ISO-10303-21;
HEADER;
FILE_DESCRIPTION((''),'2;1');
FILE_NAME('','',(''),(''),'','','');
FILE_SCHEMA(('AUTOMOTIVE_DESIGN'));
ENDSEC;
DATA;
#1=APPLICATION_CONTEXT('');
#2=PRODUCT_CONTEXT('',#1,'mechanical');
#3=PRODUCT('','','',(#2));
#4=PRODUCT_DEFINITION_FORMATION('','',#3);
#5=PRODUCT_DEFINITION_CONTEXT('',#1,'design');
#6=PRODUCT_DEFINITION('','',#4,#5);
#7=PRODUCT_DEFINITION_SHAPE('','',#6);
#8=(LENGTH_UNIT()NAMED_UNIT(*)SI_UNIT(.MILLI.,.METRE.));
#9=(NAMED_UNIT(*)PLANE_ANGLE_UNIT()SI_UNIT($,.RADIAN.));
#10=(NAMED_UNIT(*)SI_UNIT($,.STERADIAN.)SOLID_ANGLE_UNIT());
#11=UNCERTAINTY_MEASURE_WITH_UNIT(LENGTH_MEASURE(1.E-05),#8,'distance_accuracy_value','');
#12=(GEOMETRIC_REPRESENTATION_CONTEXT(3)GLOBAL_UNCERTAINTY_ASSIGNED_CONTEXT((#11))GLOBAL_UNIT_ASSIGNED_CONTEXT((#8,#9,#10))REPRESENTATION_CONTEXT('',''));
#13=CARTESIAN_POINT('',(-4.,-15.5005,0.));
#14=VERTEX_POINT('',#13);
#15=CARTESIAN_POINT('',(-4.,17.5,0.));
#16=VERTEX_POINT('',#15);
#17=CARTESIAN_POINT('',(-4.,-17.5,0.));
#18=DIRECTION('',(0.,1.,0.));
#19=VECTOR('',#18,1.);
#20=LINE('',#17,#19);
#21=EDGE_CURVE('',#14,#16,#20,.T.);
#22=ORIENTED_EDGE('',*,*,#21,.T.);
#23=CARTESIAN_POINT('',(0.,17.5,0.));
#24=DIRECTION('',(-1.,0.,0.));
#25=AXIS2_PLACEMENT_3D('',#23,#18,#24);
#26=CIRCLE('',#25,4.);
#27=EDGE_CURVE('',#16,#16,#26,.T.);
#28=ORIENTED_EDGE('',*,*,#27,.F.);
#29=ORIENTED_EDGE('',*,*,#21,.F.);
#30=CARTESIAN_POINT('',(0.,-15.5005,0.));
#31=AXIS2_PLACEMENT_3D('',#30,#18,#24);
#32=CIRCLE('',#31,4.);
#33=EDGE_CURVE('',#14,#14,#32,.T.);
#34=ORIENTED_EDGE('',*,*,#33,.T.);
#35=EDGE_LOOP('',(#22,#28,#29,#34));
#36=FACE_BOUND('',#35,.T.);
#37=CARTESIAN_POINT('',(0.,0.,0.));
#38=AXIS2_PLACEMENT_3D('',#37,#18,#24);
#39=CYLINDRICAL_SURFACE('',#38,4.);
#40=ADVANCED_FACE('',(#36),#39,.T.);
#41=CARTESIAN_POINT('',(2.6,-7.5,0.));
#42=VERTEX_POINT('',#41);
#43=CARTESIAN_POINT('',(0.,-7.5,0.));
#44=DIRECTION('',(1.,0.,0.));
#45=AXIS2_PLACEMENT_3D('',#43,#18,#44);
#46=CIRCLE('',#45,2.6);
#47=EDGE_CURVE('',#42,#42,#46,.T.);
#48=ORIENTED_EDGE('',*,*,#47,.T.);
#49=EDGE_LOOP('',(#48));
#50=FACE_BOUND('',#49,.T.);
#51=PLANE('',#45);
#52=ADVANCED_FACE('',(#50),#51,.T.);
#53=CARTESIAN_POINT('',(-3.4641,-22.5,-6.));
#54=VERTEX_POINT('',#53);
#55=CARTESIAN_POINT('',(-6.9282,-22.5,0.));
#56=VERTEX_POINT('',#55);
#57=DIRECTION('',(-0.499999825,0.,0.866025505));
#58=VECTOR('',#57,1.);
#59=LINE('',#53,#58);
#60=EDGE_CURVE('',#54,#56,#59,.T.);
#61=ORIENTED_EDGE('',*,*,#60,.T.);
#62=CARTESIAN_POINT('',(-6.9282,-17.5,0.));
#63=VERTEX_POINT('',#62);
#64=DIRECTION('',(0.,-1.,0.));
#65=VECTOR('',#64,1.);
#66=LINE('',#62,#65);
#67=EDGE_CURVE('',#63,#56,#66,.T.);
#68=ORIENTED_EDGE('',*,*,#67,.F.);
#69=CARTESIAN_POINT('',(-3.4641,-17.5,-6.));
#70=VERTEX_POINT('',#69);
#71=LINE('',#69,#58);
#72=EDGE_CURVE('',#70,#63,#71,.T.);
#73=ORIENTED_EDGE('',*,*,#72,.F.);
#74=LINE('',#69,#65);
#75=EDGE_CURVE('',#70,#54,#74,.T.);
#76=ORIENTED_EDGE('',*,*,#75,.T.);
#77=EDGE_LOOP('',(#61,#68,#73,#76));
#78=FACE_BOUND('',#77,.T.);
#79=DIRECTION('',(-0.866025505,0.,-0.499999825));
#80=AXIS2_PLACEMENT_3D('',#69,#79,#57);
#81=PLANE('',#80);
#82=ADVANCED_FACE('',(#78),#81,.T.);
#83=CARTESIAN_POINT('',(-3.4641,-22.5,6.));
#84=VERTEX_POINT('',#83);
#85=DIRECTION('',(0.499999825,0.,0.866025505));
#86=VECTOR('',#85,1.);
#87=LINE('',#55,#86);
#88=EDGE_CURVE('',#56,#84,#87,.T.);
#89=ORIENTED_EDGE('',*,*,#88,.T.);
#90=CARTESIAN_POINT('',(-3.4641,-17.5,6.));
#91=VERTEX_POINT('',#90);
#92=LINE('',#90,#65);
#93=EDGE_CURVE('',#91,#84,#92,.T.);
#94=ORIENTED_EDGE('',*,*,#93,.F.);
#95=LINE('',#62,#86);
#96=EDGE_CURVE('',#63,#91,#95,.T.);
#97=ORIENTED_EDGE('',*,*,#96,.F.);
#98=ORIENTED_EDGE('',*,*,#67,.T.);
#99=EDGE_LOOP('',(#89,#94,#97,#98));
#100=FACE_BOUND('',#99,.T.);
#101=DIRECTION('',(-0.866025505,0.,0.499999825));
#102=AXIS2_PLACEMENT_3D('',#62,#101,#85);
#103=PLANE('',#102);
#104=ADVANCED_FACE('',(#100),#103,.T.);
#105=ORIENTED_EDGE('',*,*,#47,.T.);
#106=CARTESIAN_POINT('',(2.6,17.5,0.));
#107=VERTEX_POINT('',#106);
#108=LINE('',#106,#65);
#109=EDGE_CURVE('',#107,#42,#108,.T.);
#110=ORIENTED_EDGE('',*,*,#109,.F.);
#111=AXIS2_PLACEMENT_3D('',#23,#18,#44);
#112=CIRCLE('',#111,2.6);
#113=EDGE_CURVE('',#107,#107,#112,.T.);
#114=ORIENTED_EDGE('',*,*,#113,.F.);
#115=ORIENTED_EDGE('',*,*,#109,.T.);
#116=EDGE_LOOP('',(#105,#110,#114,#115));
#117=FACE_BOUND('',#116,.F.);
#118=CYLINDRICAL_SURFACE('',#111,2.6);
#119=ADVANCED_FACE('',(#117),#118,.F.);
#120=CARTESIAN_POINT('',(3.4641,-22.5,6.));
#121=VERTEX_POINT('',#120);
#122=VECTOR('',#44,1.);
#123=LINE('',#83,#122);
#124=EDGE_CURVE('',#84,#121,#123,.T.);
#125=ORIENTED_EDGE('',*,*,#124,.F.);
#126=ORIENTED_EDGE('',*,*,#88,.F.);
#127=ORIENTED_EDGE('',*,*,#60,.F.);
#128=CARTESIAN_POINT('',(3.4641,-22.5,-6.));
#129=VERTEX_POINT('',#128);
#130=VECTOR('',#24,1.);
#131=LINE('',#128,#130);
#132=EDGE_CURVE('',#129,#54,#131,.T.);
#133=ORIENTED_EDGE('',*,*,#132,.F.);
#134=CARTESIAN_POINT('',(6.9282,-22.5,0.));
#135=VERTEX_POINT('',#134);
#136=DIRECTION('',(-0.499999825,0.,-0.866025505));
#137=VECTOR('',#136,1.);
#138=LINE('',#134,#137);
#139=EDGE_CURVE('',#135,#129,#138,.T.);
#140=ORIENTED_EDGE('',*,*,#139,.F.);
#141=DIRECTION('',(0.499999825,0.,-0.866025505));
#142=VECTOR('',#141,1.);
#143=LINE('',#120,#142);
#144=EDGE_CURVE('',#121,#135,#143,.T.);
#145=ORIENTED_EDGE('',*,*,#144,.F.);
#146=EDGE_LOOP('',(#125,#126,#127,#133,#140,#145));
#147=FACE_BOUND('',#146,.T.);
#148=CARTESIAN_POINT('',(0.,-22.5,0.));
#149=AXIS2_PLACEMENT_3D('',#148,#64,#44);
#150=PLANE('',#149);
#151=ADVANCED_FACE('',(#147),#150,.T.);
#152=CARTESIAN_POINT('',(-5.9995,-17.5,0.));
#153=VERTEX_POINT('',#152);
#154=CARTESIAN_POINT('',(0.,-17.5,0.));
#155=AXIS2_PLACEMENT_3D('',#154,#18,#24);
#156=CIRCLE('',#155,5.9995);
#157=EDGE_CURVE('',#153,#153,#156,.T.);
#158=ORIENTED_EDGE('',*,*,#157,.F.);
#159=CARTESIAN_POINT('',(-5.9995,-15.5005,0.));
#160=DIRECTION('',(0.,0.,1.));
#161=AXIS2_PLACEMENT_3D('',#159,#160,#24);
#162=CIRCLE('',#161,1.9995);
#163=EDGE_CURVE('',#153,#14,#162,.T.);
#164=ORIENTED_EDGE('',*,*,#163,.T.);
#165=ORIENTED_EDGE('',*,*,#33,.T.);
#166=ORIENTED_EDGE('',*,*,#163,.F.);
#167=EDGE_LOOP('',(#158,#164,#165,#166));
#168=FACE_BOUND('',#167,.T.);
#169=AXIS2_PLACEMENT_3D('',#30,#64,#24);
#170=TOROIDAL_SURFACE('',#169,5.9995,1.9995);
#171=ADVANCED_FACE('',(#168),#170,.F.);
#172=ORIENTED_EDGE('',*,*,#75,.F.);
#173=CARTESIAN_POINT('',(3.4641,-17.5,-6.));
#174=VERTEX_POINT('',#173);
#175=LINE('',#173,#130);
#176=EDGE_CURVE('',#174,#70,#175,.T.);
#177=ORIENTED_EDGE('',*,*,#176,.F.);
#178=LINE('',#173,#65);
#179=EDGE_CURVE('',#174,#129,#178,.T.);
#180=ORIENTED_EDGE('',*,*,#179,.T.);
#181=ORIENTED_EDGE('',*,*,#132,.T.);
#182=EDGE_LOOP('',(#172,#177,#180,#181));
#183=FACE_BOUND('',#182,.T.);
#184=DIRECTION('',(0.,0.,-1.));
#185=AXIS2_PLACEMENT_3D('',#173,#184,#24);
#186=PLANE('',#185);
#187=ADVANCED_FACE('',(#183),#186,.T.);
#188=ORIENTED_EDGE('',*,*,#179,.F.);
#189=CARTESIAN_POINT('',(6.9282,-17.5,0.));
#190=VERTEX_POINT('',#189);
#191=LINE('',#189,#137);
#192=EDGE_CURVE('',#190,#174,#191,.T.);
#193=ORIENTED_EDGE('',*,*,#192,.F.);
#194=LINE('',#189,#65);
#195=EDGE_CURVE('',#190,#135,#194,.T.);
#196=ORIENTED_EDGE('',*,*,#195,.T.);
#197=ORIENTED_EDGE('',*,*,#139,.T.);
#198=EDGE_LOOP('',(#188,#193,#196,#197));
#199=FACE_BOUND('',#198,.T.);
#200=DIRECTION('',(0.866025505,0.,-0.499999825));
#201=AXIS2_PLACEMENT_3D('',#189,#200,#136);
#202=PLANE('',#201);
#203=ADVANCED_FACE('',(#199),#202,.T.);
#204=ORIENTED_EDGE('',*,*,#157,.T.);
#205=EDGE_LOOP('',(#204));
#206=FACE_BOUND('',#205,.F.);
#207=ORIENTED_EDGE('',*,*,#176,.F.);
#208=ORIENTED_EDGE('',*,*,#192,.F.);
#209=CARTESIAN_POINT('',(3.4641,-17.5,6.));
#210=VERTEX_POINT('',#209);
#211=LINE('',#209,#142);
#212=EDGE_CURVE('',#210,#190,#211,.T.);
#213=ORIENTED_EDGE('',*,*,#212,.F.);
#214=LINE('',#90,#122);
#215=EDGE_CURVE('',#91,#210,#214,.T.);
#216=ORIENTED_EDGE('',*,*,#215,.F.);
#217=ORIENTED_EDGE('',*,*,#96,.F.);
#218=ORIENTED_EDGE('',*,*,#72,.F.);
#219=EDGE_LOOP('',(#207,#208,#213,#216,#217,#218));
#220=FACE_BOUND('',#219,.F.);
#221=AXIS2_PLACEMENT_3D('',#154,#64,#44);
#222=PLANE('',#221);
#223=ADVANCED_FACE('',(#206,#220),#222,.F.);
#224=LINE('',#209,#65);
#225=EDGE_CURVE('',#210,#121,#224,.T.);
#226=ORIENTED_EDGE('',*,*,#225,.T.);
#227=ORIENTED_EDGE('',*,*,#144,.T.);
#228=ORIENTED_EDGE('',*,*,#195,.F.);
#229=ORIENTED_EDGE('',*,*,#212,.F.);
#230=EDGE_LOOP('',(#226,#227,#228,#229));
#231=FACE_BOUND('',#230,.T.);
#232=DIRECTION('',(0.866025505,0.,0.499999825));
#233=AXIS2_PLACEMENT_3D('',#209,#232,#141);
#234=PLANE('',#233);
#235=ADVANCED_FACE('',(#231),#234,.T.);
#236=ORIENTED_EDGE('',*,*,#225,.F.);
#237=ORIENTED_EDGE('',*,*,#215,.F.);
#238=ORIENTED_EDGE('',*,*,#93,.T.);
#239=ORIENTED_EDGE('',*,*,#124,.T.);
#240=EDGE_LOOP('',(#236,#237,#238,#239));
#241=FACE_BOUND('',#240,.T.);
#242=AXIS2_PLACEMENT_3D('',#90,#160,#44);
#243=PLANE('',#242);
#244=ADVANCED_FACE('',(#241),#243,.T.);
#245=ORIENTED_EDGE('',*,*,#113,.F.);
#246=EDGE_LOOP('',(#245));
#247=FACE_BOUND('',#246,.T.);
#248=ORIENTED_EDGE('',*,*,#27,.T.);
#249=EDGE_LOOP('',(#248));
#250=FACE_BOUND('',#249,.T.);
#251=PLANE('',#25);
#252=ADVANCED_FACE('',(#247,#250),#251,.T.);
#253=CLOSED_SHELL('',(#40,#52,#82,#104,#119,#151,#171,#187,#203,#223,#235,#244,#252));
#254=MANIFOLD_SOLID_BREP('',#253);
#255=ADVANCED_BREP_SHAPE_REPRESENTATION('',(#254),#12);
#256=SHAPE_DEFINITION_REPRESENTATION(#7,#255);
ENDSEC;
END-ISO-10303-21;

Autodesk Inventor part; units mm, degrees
ref_plane "YZ Plane" through (0, 0, 0) normal (1, 0, 0) x (0, 1, 0)
ref_plane "XZ Plane" through (0, 0, 0) normal (0, 1, 0) x (-1, 0, 0)
ref_plane "XY Plane" through (0, 0, 0) normal (0, 0, 1) x (1, 0, 0)
sketch "Szkic1" plane through (0, 0, 0) normal (0, 1, 0) x (-1, 0, 0)
  circle A0 centre (0, 0) radius 4
  dimension "d0" = 8
extrude "Wyciągnięcie proste1" add sketch "Szkic1" along normal mid plane 35
sketch "Szkic2" plane through (0, 17.5, 0) normal (0, 1, 0) x (1, 0, 0)
  circle A0 centre (0, 0) radius 2.6
  dimension "d3" = 5.2
extrude "Wyciągnięcie proste2" cut sketch "Szkic2" against normal blind 25
thread "Gwint1" size "M5.5x0.5" class "6H" standard "ANSI Metric M Profile" length 25
sketch "Szkic3" plane through (0, -17.5, 0) normal (0, -1, 0) x (1, 0, 0)
  line L0 (3.4641, 6) -> (6.9282, 0)
  line L1 (6.9282, 0) -> (3.4641, -6)
  line L2 (3.4641, -6) -> (-3.4641, -6)
  line L3 (-3.4641, -6) -> (-6.9282, 0)
  line L4 (-6.9282, 0) -> (-3.4641, 6)
  line L5 (-3.4641, 6) -> (3.4641, 6)
  point P0 (0, 0)
  point P1 (0, 0)
  dimension "d8" = 6
  dimension "d10" = 6
extrude "Wyciągnięcie proste3" add sketch "Szkic3" along normal blind 5
fillet "Zaokrąglenie1" radius 2 1 edges at (4, -17.5, 0)
properties part number "zamkniecie_sworzenia_2"
